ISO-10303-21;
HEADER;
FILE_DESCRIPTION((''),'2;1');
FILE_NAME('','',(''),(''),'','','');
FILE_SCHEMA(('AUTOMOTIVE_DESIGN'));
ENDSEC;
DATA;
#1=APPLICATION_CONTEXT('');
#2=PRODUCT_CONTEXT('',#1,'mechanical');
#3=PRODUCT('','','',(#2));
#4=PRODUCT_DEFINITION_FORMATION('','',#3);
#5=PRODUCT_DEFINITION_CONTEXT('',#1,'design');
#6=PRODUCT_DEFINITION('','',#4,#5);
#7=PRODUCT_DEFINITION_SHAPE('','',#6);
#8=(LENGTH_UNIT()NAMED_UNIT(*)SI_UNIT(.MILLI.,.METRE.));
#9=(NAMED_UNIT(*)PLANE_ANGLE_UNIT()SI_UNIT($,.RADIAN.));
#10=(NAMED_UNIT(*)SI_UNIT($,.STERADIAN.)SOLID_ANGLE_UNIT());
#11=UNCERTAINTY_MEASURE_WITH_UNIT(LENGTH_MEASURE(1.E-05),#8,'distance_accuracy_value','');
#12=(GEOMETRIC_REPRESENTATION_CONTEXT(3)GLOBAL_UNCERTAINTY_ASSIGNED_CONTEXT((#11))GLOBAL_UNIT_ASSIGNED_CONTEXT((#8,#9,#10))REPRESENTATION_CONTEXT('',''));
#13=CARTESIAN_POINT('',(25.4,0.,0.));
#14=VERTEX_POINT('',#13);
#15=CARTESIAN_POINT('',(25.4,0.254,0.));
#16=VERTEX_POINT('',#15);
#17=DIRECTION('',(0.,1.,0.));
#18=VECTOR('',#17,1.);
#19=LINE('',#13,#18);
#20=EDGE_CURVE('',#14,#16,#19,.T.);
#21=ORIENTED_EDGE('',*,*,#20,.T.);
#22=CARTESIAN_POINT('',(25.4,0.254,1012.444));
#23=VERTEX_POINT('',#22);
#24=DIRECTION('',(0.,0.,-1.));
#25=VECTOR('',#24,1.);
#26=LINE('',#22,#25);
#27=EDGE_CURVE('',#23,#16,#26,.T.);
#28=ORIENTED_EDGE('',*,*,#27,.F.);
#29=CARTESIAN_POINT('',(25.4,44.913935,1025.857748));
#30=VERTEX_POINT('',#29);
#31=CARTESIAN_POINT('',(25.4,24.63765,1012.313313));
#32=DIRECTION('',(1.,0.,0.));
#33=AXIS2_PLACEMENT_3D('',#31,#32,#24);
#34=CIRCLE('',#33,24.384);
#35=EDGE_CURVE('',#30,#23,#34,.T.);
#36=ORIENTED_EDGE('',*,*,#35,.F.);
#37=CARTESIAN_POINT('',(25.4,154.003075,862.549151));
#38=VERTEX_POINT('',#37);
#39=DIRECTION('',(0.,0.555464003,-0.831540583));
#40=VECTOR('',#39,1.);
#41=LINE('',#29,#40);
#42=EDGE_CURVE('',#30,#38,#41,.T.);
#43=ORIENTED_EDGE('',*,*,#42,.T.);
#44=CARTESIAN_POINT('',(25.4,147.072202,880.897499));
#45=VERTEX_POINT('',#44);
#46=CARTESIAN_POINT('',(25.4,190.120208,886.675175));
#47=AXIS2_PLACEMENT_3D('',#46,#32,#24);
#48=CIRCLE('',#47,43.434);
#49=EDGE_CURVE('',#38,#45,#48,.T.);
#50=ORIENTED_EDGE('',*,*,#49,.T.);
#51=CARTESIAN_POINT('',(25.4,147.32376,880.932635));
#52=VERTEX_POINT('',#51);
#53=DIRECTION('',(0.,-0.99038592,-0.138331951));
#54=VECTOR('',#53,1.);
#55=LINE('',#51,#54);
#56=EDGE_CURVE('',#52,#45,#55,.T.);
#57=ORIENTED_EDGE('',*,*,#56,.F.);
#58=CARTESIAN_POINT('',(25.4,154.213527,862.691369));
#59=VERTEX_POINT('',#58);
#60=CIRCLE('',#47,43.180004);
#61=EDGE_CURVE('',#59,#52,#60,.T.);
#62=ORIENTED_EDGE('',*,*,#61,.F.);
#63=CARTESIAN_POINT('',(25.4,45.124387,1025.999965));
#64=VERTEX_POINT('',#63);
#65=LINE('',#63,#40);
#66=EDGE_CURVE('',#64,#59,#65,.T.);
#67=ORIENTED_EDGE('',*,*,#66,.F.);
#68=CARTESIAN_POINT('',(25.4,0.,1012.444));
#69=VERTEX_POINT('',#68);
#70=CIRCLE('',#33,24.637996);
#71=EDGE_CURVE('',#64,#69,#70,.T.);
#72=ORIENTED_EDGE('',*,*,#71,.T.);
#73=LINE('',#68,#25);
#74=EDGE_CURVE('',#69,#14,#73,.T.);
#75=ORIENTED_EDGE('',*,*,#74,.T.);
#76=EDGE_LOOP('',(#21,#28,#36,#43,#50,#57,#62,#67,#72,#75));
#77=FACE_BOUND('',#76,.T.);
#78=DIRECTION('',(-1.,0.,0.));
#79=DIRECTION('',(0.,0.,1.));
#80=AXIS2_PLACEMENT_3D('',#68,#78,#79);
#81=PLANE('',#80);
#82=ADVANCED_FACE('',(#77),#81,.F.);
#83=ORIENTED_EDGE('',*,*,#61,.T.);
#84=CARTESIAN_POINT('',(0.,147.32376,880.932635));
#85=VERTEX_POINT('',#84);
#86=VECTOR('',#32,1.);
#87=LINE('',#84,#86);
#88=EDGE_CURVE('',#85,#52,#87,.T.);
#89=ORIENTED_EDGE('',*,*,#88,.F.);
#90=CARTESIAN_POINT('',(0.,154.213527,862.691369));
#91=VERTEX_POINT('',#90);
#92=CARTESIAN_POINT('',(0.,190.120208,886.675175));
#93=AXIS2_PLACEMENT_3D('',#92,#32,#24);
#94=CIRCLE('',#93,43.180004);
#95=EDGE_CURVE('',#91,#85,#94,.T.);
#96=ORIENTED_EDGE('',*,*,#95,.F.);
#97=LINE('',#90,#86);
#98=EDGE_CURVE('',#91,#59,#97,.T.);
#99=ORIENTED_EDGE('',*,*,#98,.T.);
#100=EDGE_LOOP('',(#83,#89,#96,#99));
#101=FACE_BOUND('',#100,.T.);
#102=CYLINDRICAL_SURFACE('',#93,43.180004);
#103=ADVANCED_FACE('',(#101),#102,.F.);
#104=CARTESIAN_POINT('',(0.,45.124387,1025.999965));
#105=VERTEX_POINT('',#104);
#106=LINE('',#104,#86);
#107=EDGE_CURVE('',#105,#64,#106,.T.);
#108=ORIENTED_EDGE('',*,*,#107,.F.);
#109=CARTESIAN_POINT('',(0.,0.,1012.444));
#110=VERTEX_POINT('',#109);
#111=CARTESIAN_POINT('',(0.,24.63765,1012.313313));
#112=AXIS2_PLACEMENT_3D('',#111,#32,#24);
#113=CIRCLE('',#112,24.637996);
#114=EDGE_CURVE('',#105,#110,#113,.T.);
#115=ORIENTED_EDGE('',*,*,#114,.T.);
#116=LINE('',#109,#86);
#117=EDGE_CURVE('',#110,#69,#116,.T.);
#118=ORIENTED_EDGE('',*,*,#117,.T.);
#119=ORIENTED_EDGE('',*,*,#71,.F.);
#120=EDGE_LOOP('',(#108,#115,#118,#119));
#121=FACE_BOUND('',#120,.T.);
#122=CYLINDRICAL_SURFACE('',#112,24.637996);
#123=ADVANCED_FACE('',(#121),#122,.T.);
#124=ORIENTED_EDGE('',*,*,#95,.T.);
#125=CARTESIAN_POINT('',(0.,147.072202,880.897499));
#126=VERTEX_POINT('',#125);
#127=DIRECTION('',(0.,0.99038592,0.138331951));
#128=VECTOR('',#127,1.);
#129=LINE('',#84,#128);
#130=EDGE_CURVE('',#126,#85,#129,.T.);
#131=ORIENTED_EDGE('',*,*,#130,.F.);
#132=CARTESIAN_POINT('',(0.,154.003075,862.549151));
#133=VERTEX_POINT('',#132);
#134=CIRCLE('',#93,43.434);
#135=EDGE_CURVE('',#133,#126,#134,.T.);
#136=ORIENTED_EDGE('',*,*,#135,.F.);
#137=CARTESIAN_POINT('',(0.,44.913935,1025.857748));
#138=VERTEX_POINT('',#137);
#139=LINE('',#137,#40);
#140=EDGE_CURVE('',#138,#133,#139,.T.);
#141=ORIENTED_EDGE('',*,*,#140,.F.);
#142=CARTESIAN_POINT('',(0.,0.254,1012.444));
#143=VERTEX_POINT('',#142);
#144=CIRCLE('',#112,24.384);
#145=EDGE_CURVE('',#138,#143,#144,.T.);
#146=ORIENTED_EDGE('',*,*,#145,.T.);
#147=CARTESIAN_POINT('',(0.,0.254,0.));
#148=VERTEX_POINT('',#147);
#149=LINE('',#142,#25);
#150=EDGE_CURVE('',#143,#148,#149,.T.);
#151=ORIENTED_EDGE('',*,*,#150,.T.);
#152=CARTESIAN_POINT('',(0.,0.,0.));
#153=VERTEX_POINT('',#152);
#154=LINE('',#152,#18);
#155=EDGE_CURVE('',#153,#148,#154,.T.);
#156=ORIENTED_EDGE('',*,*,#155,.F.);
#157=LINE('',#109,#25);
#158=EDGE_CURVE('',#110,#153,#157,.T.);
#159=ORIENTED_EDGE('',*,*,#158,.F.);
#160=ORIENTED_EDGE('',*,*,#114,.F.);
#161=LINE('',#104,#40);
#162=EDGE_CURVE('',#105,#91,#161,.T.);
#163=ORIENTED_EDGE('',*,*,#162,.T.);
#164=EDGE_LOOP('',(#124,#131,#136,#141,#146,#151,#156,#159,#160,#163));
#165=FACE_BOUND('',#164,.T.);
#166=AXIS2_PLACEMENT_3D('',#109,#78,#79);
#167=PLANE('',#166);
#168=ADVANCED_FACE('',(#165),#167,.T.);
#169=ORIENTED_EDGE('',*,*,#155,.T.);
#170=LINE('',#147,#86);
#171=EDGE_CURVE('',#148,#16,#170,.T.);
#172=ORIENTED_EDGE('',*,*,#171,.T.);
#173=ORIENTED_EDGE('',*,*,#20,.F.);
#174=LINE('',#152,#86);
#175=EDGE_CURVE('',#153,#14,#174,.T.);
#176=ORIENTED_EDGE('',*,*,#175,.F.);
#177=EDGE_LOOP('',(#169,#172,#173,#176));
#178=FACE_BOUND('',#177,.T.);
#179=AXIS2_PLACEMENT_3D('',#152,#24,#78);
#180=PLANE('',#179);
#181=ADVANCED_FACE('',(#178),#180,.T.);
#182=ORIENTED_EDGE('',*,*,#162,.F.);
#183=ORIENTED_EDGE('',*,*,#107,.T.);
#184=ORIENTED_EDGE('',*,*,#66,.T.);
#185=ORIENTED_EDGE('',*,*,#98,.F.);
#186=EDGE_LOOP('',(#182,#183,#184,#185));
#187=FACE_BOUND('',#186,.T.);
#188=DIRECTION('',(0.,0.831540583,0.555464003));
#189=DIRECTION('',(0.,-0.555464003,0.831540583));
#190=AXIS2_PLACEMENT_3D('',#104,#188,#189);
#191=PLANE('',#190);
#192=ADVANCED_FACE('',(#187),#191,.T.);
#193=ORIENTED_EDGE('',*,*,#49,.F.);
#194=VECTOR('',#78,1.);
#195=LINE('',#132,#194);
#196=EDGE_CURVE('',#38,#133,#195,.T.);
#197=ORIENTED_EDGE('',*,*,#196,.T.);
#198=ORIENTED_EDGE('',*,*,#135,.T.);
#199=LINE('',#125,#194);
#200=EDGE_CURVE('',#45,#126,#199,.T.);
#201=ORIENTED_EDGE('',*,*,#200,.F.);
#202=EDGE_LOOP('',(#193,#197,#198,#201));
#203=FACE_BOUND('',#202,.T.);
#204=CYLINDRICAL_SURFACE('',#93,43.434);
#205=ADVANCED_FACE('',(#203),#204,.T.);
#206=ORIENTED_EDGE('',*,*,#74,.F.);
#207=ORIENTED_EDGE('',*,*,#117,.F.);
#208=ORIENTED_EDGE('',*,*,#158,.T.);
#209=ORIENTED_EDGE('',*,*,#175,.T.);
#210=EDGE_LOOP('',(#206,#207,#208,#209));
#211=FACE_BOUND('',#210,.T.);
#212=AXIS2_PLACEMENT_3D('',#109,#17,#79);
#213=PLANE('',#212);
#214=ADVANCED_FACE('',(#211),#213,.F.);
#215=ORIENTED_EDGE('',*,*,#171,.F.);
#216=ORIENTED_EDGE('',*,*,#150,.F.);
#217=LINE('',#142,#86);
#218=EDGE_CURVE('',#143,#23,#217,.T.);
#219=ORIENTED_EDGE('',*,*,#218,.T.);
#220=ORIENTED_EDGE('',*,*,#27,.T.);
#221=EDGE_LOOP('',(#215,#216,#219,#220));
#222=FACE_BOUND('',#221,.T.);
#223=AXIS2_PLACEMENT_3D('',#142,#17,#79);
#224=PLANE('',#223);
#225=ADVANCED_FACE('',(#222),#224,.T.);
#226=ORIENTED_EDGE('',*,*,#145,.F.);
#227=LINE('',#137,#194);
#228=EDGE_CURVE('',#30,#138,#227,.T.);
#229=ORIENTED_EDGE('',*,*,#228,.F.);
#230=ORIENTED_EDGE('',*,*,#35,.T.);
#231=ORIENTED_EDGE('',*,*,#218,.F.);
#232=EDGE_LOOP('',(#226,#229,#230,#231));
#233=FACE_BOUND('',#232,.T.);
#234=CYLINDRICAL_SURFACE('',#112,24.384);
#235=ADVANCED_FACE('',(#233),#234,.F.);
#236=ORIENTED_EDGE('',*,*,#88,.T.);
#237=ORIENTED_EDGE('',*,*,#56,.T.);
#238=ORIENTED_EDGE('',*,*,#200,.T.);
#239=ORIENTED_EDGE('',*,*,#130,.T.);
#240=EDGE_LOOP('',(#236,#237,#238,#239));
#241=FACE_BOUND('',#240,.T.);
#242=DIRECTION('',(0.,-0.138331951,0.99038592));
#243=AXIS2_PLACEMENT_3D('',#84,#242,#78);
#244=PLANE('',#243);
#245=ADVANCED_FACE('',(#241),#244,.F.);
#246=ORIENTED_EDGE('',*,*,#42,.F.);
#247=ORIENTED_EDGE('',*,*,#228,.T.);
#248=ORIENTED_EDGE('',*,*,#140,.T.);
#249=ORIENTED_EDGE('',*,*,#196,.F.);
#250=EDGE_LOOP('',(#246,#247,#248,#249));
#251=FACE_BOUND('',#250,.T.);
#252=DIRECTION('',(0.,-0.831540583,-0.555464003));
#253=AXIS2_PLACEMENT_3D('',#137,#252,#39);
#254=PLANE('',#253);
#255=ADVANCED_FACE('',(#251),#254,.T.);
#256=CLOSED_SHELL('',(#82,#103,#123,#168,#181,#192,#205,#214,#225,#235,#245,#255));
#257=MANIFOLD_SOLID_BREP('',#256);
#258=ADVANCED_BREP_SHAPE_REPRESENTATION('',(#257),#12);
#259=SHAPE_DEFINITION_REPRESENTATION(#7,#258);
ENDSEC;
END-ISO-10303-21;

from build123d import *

# Parameters (mm, degrees)
SKETCH1_W           = 25.4
SKETCH1_H           = 0.254
BOSS_EXTRUDE1_DEPTH = 1012.444
SKETCH3_W           = 25.4
SKETCH3_H           = 0.254


with BuildPart() as part:
    # Sketch1 → Boss-Extrude1 (new body)
    with BuildSketch(Plane.XY):
        with Locations((12.7, 0.127)):
            Rectangle(SKETCH1_W, SKETCH1_H)
    extrude(amount=BOSS_EXTRUDE1_DEPTH)

    # Sweep12: sweep along a path in Sketch5
    with BuildLine(Plane(origin=(0, 0, 0), x_dir=(0, 0, -1), z_dir=(1, 0, 0))) as sweep12_path:
        ThreePointArc((-880.897498734, 147.072202414), (-902.023368964, 230.752034475), (-862.54915142, 154.003074639))
        Line((-862.54915142, 154.003074639), (-1025.857747632, 44.913935374))
        ThreePointArc((-1025.857747632, 44.913935374), (-1035.666679092, 17.623395262), (-1012.444, 0.254))
    # Sketch3 → Sweep12 (sweep)
    with BuildSketch(Plane.XY.offset(1012.444)):
        with Locations((12.7, 0.127)):
            Rectangle(SKETCH3_W, SKETCH3_H)
    sweep(path=sweep12_path.line)


solid = part.part
